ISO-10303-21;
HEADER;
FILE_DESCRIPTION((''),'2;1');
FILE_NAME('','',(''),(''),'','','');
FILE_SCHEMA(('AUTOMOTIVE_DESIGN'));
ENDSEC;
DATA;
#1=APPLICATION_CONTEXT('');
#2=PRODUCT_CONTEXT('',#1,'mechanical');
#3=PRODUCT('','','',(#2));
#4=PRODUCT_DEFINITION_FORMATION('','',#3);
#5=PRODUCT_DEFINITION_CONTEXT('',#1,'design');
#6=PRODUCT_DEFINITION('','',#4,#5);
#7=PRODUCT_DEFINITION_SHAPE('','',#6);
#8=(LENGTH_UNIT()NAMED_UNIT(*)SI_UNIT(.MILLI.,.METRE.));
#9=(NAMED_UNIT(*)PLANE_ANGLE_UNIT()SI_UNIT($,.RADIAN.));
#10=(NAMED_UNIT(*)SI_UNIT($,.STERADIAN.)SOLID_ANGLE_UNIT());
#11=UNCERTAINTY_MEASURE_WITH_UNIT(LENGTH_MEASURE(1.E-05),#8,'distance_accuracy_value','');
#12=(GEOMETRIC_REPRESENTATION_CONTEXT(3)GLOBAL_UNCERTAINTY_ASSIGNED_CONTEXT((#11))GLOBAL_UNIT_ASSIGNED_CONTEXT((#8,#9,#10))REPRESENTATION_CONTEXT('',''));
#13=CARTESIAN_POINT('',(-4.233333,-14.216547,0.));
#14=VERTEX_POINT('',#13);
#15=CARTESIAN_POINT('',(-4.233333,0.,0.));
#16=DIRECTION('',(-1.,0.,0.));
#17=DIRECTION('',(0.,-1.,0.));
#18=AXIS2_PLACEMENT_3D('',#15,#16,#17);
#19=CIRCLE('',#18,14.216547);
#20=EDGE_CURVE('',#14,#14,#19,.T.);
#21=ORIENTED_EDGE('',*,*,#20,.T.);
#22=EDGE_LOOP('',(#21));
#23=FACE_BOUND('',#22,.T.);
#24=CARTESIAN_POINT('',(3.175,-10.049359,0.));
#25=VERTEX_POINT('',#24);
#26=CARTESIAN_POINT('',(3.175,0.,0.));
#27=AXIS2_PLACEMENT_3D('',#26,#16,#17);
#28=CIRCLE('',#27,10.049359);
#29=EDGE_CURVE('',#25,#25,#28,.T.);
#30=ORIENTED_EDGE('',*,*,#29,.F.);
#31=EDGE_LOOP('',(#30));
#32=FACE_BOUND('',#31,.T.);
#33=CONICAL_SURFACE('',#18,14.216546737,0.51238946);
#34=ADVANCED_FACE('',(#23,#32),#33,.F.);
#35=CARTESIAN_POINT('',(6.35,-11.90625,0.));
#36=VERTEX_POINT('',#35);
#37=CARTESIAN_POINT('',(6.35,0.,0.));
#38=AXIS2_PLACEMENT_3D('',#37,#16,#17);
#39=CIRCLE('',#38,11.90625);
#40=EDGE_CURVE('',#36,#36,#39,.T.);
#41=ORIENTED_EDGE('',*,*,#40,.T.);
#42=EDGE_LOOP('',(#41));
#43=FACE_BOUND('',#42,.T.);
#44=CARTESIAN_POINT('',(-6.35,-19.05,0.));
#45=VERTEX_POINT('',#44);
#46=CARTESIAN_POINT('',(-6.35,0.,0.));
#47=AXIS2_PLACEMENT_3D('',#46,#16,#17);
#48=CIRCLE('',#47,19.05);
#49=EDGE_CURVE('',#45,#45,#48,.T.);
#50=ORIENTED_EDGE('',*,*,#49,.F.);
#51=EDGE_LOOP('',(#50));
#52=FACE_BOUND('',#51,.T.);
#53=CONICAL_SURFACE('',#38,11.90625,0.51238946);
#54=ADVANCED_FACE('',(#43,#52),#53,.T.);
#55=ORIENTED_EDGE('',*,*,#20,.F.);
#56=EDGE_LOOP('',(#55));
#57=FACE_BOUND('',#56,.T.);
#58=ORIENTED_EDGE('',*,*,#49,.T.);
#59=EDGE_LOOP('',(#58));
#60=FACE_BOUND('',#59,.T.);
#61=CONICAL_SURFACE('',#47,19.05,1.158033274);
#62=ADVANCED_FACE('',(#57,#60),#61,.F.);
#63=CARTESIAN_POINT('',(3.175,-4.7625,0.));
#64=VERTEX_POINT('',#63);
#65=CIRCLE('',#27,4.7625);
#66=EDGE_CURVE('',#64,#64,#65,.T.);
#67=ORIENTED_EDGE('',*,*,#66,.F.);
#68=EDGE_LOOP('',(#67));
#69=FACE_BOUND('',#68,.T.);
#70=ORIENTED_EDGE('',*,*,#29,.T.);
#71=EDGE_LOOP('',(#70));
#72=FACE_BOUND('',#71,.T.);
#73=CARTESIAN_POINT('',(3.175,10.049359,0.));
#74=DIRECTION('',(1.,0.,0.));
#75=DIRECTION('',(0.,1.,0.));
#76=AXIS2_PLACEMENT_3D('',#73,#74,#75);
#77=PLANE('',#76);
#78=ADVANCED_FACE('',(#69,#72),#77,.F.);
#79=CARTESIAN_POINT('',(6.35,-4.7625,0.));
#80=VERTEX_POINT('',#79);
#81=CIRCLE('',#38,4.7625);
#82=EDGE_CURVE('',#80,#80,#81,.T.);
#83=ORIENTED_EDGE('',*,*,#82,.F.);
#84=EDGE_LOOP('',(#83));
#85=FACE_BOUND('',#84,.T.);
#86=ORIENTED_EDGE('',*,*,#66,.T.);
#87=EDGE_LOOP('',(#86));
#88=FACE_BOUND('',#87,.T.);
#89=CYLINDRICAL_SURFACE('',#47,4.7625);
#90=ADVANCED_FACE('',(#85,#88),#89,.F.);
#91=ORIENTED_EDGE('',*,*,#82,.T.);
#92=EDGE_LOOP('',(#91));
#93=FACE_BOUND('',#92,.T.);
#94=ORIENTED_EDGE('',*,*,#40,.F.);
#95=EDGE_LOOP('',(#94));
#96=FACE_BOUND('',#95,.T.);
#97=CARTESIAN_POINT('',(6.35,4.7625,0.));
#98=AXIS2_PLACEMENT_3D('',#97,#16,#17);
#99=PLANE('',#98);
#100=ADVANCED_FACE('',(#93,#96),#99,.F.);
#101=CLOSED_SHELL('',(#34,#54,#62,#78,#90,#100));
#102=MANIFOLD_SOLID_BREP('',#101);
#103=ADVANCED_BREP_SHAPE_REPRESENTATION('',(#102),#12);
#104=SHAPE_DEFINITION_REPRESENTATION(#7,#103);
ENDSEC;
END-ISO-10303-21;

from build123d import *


with BuildPart() as part:
    # Sketch1 → Revolve1 (revolve)
    with BuildSketch(Plane.XY, mode=Mode.PRIVATE) as revolve1_sk:
        Polygon((3.175, 4.7625), (6.35, 4.7625), (6.35, 11.90625), (-6.35, 19.05), (-4.233333333, 14.216546737), (3.175, 10.049359237), align=None)
    revolve(revolve1_sk.sketch.rotate(Axis((-6.35, 0, 0), (1, 0, 0)), 180), axis=Axis((-6.35, 0, 0), (1, 0, 0)))


solid = part.part
